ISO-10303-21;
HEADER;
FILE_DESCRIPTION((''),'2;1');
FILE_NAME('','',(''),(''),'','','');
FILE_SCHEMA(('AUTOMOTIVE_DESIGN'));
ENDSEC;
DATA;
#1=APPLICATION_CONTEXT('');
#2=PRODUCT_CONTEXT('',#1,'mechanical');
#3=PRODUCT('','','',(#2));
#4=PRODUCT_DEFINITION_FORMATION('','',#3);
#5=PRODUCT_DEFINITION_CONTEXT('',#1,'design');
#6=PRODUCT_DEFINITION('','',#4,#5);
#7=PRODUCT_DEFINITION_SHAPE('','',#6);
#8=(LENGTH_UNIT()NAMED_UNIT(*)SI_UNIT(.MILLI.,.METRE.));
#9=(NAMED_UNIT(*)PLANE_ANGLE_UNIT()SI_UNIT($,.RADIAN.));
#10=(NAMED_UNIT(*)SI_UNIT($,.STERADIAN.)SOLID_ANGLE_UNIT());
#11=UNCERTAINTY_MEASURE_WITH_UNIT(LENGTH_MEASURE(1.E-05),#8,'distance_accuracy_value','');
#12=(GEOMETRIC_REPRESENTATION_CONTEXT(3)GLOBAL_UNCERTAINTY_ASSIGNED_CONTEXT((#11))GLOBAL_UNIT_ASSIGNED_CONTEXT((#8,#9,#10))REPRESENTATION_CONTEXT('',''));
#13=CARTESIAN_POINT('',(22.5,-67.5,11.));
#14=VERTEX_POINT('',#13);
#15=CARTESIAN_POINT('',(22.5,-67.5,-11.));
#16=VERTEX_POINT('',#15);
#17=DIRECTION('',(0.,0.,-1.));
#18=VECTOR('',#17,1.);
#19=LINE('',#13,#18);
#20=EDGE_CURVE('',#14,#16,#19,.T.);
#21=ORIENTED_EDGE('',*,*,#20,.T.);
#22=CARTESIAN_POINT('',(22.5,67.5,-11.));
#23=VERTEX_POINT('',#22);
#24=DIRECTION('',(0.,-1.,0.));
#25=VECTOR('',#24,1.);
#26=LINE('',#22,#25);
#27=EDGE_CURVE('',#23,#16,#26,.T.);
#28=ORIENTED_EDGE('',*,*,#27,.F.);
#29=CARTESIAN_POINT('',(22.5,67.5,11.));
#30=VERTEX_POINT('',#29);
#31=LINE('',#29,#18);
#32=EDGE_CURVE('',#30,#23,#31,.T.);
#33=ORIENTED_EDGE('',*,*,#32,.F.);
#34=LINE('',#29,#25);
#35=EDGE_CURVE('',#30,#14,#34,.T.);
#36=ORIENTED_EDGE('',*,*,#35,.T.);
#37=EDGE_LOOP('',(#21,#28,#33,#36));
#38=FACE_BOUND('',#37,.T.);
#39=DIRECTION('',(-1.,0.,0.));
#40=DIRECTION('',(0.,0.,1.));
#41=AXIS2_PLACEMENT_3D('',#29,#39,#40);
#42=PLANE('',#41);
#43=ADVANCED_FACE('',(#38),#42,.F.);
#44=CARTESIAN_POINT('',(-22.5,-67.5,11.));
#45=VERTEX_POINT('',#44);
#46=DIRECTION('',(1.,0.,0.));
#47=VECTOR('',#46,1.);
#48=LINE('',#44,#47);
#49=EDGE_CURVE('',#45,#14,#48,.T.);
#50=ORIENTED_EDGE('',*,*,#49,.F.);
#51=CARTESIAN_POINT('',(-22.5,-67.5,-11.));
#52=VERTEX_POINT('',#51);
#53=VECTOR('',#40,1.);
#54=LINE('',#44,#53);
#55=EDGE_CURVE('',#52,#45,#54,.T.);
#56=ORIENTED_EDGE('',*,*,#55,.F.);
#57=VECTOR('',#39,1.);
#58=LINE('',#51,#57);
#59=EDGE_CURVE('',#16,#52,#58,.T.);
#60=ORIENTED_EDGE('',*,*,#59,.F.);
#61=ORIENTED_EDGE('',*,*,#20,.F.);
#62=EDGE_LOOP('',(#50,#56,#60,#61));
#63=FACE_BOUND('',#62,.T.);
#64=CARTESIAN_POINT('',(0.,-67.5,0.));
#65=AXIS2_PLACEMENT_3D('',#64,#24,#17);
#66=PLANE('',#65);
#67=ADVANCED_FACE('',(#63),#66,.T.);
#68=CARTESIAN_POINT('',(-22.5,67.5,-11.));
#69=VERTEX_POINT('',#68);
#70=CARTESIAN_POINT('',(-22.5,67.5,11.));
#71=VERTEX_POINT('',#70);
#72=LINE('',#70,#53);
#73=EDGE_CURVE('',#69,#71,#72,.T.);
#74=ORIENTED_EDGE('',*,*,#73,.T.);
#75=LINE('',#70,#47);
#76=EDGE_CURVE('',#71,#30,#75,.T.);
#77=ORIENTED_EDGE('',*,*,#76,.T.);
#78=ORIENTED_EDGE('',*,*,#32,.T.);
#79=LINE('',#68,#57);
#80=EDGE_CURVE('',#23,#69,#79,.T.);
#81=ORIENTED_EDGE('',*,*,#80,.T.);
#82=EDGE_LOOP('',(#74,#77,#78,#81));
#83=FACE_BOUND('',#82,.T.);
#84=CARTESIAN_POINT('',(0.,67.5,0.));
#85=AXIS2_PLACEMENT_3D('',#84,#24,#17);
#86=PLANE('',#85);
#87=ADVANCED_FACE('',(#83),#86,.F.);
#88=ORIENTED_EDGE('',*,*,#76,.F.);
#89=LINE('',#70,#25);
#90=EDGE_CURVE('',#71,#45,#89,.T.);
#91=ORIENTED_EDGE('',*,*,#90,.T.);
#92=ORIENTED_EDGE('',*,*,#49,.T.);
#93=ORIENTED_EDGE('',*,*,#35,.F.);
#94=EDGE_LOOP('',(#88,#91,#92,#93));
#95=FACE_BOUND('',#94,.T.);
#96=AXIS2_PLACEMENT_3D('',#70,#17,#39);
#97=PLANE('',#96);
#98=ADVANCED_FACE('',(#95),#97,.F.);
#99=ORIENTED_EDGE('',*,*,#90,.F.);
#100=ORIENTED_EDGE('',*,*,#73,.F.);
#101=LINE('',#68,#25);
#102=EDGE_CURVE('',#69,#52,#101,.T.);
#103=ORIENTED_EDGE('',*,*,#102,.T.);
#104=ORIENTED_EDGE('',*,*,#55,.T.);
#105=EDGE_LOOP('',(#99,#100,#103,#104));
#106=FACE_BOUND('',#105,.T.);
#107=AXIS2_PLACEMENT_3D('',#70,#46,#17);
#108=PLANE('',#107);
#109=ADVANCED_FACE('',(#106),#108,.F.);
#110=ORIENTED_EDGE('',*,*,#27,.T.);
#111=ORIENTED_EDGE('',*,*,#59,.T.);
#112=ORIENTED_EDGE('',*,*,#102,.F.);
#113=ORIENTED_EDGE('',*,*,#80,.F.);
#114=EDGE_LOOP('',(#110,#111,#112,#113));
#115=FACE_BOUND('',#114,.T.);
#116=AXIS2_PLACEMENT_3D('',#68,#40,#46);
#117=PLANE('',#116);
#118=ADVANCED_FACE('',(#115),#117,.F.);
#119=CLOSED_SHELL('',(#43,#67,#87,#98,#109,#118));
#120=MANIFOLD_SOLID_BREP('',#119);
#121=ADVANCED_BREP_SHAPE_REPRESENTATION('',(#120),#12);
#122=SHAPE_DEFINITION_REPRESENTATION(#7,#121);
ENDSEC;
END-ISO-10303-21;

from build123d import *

# Parameters (mm, degrees)
SKETCH1_W           = 45
SKETCH1_H           = 22
BOSS_EXTRUDE1_DEPTH = 67.5


with BuildPart() as part:
    # Sketch1 → Boss-Extrude1 (new body, symmetric)
    with BuildSketch(Plane(origin=(0, 0, 0), x_dir=(1, 0, 0), z_dir=(0, 1, 0))):
        Rectangle(SKETCH1_W, SKETCH1_H)
    extrude(amount=BOSS_EXTRUDE1_DEPTH, both=True)


solid = part.part
